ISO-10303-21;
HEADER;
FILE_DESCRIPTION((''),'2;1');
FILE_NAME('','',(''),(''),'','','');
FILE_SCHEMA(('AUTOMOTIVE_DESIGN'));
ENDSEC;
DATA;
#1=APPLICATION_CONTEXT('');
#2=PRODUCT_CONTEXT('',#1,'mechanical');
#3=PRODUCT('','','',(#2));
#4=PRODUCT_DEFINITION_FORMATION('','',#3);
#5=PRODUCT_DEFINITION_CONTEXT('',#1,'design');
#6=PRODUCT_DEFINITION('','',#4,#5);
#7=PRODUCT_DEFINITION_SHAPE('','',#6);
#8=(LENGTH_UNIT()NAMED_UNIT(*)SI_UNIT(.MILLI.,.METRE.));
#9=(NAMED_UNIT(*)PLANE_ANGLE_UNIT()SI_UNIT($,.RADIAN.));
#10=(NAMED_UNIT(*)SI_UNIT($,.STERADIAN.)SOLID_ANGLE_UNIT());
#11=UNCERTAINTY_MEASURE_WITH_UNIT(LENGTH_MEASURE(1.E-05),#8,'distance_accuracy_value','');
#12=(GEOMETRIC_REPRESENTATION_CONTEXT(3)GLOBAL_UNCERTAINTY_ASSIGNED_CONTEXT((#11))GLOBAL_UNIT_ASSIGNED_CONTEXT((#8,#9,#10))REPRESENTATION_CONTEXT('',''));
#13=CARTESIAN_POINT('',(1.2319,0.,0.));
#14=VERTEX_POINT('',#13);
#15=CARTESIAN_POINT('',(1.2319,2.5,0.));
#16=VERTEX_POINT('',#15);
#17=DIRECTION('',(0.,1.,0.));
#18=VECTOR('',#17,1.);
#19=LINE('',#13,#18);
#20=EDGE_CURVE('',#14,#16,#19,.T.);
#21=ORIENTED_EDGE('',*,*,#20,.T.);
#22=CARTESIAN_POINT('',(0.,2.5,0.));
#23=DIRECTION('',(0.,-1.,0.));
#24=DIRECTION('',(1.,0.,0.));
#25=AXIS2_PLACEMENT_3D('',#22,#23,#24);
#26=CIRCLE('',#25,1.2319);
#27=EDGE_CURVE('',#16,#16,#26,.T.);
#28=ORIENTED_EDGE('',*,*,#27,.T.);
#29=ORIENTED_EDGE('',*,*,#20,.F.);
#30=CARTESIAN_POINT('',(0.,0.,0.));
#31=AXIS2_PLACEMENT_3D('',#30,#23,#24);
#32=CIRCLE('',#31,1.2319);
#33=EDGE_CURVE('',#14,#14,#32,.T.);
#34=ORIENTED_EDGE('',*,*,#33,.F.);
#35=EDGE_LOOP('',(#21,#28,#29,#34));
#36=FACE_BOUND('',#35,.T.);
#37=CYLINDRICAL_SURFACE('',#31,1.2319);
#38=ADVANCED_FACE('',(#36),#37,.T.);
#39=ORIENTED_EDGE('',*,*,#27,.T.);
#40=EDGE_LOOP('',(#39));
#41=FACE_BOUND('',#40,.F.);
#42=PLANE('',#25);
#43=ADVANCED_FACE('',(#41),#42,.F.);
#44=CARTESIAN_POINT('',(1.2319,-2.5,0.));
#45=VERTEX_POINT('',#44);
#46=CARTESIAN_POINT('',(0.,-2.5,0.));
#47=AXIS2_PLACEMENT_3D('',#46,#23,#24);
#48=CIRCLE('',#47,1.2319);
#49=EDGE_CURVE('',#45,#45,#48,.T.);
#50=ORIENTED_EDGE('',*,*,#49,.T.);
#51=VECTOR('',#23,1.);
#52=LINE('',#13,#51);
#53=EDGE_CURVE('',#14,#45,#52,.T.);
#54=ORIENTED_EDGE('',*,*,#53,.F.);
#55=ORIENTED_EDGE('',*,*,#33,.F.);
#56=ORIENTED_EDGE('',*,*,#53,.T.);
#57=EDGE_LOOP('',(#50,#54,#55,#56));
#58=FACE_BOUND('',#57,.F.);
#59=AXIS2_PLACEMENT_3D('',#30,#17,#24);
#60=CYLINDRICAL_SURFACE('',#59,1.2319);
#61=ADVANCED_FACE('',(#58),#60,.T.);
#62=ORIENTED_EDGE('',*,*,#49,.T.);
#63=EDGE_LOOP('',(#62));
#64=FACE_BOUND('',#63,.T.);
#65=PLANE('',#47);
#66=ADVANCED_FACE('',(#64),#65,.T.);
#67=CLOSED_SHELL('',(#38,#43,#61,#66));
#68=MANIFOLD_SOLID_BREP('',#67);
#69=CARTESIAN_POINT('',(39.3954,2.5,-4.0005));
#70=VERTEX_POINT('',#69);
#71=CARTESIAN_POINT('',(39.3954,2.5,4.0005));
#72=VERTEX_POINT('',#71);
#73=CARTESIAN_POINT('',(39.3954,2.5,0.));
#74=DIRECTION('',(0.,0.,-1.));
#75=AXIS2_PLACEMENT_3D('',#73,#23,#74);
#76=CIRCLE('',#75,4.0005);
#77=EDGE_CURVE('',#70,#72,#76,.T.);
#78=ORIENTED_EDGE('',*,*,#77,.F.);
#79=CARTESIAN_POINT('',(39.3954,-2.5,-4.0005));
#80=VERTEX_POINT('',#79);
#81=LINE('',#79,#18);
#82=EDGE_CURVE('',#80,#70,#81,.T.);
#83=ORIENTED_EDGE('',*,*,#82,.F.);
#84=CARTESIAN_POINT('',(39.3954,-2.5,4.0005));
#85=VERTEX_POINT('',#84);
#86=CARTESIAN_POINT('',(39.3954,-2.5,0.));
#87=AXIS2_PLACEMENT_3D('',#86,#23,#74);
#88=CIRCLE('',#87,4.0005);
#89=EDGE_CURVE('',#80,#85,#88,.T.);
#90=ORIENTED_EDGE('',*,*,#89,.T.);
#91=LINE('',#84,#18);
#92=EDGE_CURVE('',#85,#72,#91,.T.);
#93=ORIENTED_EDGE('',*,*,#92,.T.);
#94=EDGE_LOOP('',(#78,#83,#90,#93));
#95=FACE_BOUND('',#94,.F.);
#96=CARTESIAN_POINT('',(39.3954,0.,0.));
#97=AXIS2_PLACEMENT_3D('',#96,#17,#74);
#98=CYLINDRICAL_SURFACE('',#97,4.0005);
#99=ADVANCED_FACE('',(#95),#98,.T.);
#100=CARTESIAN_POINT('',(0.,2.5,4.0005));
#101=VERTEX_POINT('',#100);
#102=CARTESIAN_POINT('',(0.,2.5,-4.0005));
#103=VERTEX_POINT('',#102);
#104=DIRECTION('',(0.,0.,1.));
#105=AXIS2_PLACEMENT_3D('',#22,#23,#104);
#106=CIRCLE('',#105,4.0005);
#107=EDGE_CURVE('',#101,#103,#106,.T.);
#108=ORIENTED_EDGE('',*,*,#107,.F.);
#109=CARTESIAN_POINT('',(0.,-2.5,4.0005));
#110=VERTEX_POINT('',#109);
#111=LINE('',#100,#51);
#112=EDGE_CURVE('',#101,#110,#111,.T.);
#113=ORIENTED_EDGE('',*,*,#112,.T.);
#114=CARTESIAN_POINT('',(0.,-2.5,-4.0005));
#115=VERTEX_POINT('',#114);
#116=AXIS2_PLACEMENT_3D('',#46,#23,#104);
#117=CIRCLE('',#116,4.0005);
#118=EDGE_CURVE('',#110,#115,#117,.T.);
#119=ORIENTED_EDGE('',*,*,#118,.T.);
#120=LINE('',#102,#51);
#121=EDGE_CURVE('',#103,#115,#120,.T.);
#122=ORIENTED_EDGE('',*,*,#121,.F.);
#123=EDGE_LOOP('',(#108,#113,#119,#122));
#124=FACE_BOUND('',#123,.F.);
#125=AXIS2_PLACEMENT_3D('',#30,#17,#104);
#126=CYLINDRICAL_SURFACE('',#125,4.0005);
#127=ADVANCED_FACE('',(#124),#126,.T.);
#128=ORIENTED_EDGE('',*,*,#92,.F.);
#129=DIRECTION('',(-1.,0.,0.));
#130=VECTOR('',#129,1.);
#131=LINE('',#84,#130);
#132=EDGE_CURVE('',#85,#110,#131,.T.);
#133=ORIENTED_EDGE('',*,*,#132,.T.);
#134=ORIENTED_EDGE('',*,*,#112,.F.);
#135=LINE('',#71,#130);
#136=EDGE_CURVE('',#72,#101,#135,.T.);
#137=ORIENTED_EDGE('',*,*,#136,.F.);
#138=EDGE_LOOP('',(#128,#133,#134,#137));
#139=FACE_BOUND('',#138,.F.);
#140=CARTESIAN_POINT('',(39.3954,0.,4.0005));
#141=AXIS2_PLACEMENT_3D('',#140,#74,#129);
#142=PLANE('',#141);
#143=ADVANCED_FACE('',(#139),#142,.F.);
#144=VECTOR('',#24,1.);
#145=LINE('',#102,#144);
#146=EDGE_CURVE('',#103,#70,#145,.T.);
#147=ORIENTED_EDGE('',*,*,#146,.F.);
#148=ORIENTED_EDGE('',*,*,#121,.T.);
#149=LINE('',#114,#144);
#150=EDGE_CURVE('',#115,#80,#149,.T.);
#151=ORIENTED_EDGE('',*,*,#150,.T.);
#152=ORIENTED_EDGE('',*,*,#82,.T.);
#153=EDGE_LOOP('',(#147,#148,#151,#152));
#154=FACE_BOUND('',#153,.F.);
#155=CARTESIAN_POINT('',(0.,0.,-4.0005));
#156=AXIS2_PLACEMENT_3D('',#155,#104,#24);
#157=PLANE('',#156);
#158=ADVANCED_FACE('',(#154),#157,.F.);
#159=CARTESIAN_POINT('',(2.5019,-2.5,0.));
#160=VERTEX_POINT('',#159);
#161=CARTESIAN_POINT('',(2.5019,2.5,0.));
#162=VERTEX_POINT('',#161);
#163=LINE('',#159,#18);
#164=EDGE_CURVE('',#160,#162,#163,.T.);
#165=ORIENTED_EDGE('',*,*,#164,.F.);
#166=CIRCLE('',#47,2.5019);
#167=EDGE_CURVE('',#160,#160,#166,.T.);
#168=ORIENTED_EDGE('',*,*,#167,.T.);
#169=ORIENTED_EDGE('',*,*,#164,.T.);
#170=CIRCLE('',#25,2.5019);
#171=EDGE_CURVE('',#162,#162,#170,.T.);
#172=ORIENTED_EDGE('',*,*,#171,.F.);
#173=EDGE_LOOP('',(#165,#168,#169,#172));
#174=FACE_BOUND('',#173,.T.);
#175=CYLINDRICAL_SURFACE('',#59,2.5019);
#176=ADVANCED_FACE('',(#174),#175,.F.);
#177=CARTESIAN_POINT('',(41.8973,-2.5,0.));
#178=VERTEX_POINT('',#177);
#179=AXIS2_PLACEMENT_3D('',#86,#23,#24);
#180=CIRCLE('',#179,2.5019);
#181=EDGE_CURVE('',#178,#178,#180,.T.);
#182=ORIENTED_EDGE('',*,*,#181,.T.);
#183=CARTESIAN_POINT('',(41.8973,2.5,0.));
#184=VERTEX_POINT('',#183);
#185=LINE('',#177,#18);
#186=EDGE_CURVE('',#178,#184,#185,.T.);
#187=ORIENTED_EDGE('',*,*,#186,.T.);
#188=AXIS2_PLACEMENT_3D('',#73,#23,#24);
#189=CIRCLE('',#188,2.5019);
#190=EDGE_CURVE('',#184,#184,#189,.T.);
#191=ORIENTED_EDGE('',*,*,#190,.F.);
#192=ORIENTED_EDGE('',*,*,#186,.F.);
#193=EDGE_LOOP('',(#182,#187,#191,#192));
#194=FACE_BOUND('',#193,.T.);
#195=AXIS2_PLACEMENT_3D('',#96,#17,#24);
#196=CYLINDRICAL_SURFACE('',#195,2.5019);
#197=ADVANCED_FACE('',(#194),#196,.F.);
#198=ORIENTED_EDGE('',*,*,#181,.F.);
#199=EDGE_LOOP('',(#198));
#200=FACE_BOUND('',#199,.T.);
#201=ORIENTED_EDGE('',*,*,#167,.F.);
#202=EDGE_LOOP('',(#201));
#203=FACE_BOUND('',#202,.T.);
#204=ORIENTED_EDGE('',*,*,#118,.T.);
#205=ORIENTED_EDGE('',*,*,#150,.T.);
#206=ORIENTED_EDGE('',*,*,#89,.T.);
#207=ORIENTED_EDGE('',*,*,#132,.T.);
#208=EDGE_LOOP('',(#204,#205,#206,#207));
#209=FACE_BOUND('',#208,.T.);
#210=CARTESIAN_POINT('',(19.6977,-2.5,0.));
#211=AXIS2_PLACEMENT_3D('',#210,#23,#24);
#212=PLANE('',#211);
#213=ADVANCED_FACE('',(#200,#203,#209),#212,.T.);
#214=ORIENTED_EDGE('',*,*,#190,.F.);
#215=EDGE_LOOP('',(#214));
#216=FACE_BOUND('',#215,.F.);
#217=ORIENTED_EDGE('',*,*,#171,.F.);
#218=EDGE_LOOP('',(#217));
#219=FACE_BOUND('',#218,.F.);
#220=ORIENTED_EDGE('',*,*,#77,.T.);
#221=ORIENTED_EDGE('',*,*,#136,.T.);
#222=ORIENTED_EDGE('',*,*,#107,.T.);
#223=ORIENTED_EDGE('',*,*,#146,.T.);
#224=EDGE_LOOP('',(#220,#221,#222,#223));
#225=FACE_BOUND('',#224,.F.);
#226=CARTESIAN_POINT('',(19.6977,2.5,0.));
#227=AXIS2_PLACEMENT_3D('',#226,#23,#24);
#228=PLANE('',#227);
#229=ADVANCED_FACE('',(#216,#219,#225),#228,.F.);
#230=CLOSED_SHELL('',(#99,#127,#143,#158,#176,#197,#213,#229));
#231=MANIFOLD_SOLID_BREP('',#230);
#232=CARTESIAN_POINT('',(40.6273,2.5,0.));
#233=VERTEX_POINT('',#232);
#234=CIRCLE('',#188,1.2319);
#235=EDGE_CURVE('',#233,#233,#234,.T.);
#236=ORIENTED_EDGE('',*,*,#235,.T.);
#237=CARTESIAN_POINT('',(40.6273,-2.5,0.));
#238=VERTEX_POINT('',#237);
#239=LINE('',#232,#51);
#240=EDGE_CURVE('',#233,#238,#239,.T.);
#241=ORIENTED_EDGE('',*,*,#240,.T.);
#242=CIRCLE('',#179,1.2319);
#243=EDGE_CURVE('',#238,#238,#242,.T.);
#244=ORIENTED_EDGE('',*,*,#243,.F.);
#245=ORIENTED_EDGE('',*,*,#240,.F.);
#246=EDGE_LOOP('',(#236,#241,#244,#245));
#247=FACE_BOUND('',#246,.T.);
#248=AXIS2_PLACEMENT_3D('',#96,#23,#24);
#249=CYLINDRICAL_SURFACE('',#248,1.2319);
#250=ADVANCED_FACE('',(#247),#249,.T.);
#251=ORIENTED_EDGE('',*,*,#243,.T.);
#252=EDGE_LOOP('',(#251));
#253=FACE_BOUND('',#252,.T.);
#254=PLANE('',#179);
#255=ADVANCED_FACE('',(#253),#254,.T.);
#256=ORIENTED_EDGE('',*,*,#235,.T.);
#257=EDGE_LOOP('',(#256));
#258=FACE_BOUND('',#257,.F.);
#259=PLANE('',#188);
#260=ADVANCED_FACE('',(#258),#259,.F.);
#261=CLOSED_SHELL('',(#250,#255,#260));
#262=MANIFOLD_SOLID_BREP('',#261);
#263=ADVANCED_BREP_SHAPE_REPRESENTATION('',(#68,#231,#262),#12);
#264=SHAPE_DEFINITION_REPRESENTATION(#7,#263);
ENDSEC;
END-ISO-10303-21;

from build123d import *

# Parameters (mm, degrees)
F0_R     = 2.5019
F0_R_2   = 1.2319
F1_DEPTH = 2.5


with BuildPart() as f1:
    # F0 (on Front) → F1 (new body, symmetric)
    with BuildSketch(Plane.XZ):
        with BuildLine():
            Line((39.3954, 4.0005), (0, 4.0005))
            ThreePointArc((0, 4.0005), (-4.0005, 0), (0, -4.0005))
            Line((0, -4.0005), (39.3954, -4.0005))
            ThreePointArc((39.3954, -4.0005), (43.3959, 0), (39.3954, 4.0005))
        make_face()
        Circle(F0_R, mode=Mode.SUBTRACT)
        with Locations((39.3954, 0)):
            Circle(F0_R, mode=Mode.SUBTRACT)
        Circle(F0_R_2)
        with Locations((39.3954, 0)):
            Circle(F0_R_2)
    extrude(amount=F1_DEPTH, both=True)


solid = f1.part
